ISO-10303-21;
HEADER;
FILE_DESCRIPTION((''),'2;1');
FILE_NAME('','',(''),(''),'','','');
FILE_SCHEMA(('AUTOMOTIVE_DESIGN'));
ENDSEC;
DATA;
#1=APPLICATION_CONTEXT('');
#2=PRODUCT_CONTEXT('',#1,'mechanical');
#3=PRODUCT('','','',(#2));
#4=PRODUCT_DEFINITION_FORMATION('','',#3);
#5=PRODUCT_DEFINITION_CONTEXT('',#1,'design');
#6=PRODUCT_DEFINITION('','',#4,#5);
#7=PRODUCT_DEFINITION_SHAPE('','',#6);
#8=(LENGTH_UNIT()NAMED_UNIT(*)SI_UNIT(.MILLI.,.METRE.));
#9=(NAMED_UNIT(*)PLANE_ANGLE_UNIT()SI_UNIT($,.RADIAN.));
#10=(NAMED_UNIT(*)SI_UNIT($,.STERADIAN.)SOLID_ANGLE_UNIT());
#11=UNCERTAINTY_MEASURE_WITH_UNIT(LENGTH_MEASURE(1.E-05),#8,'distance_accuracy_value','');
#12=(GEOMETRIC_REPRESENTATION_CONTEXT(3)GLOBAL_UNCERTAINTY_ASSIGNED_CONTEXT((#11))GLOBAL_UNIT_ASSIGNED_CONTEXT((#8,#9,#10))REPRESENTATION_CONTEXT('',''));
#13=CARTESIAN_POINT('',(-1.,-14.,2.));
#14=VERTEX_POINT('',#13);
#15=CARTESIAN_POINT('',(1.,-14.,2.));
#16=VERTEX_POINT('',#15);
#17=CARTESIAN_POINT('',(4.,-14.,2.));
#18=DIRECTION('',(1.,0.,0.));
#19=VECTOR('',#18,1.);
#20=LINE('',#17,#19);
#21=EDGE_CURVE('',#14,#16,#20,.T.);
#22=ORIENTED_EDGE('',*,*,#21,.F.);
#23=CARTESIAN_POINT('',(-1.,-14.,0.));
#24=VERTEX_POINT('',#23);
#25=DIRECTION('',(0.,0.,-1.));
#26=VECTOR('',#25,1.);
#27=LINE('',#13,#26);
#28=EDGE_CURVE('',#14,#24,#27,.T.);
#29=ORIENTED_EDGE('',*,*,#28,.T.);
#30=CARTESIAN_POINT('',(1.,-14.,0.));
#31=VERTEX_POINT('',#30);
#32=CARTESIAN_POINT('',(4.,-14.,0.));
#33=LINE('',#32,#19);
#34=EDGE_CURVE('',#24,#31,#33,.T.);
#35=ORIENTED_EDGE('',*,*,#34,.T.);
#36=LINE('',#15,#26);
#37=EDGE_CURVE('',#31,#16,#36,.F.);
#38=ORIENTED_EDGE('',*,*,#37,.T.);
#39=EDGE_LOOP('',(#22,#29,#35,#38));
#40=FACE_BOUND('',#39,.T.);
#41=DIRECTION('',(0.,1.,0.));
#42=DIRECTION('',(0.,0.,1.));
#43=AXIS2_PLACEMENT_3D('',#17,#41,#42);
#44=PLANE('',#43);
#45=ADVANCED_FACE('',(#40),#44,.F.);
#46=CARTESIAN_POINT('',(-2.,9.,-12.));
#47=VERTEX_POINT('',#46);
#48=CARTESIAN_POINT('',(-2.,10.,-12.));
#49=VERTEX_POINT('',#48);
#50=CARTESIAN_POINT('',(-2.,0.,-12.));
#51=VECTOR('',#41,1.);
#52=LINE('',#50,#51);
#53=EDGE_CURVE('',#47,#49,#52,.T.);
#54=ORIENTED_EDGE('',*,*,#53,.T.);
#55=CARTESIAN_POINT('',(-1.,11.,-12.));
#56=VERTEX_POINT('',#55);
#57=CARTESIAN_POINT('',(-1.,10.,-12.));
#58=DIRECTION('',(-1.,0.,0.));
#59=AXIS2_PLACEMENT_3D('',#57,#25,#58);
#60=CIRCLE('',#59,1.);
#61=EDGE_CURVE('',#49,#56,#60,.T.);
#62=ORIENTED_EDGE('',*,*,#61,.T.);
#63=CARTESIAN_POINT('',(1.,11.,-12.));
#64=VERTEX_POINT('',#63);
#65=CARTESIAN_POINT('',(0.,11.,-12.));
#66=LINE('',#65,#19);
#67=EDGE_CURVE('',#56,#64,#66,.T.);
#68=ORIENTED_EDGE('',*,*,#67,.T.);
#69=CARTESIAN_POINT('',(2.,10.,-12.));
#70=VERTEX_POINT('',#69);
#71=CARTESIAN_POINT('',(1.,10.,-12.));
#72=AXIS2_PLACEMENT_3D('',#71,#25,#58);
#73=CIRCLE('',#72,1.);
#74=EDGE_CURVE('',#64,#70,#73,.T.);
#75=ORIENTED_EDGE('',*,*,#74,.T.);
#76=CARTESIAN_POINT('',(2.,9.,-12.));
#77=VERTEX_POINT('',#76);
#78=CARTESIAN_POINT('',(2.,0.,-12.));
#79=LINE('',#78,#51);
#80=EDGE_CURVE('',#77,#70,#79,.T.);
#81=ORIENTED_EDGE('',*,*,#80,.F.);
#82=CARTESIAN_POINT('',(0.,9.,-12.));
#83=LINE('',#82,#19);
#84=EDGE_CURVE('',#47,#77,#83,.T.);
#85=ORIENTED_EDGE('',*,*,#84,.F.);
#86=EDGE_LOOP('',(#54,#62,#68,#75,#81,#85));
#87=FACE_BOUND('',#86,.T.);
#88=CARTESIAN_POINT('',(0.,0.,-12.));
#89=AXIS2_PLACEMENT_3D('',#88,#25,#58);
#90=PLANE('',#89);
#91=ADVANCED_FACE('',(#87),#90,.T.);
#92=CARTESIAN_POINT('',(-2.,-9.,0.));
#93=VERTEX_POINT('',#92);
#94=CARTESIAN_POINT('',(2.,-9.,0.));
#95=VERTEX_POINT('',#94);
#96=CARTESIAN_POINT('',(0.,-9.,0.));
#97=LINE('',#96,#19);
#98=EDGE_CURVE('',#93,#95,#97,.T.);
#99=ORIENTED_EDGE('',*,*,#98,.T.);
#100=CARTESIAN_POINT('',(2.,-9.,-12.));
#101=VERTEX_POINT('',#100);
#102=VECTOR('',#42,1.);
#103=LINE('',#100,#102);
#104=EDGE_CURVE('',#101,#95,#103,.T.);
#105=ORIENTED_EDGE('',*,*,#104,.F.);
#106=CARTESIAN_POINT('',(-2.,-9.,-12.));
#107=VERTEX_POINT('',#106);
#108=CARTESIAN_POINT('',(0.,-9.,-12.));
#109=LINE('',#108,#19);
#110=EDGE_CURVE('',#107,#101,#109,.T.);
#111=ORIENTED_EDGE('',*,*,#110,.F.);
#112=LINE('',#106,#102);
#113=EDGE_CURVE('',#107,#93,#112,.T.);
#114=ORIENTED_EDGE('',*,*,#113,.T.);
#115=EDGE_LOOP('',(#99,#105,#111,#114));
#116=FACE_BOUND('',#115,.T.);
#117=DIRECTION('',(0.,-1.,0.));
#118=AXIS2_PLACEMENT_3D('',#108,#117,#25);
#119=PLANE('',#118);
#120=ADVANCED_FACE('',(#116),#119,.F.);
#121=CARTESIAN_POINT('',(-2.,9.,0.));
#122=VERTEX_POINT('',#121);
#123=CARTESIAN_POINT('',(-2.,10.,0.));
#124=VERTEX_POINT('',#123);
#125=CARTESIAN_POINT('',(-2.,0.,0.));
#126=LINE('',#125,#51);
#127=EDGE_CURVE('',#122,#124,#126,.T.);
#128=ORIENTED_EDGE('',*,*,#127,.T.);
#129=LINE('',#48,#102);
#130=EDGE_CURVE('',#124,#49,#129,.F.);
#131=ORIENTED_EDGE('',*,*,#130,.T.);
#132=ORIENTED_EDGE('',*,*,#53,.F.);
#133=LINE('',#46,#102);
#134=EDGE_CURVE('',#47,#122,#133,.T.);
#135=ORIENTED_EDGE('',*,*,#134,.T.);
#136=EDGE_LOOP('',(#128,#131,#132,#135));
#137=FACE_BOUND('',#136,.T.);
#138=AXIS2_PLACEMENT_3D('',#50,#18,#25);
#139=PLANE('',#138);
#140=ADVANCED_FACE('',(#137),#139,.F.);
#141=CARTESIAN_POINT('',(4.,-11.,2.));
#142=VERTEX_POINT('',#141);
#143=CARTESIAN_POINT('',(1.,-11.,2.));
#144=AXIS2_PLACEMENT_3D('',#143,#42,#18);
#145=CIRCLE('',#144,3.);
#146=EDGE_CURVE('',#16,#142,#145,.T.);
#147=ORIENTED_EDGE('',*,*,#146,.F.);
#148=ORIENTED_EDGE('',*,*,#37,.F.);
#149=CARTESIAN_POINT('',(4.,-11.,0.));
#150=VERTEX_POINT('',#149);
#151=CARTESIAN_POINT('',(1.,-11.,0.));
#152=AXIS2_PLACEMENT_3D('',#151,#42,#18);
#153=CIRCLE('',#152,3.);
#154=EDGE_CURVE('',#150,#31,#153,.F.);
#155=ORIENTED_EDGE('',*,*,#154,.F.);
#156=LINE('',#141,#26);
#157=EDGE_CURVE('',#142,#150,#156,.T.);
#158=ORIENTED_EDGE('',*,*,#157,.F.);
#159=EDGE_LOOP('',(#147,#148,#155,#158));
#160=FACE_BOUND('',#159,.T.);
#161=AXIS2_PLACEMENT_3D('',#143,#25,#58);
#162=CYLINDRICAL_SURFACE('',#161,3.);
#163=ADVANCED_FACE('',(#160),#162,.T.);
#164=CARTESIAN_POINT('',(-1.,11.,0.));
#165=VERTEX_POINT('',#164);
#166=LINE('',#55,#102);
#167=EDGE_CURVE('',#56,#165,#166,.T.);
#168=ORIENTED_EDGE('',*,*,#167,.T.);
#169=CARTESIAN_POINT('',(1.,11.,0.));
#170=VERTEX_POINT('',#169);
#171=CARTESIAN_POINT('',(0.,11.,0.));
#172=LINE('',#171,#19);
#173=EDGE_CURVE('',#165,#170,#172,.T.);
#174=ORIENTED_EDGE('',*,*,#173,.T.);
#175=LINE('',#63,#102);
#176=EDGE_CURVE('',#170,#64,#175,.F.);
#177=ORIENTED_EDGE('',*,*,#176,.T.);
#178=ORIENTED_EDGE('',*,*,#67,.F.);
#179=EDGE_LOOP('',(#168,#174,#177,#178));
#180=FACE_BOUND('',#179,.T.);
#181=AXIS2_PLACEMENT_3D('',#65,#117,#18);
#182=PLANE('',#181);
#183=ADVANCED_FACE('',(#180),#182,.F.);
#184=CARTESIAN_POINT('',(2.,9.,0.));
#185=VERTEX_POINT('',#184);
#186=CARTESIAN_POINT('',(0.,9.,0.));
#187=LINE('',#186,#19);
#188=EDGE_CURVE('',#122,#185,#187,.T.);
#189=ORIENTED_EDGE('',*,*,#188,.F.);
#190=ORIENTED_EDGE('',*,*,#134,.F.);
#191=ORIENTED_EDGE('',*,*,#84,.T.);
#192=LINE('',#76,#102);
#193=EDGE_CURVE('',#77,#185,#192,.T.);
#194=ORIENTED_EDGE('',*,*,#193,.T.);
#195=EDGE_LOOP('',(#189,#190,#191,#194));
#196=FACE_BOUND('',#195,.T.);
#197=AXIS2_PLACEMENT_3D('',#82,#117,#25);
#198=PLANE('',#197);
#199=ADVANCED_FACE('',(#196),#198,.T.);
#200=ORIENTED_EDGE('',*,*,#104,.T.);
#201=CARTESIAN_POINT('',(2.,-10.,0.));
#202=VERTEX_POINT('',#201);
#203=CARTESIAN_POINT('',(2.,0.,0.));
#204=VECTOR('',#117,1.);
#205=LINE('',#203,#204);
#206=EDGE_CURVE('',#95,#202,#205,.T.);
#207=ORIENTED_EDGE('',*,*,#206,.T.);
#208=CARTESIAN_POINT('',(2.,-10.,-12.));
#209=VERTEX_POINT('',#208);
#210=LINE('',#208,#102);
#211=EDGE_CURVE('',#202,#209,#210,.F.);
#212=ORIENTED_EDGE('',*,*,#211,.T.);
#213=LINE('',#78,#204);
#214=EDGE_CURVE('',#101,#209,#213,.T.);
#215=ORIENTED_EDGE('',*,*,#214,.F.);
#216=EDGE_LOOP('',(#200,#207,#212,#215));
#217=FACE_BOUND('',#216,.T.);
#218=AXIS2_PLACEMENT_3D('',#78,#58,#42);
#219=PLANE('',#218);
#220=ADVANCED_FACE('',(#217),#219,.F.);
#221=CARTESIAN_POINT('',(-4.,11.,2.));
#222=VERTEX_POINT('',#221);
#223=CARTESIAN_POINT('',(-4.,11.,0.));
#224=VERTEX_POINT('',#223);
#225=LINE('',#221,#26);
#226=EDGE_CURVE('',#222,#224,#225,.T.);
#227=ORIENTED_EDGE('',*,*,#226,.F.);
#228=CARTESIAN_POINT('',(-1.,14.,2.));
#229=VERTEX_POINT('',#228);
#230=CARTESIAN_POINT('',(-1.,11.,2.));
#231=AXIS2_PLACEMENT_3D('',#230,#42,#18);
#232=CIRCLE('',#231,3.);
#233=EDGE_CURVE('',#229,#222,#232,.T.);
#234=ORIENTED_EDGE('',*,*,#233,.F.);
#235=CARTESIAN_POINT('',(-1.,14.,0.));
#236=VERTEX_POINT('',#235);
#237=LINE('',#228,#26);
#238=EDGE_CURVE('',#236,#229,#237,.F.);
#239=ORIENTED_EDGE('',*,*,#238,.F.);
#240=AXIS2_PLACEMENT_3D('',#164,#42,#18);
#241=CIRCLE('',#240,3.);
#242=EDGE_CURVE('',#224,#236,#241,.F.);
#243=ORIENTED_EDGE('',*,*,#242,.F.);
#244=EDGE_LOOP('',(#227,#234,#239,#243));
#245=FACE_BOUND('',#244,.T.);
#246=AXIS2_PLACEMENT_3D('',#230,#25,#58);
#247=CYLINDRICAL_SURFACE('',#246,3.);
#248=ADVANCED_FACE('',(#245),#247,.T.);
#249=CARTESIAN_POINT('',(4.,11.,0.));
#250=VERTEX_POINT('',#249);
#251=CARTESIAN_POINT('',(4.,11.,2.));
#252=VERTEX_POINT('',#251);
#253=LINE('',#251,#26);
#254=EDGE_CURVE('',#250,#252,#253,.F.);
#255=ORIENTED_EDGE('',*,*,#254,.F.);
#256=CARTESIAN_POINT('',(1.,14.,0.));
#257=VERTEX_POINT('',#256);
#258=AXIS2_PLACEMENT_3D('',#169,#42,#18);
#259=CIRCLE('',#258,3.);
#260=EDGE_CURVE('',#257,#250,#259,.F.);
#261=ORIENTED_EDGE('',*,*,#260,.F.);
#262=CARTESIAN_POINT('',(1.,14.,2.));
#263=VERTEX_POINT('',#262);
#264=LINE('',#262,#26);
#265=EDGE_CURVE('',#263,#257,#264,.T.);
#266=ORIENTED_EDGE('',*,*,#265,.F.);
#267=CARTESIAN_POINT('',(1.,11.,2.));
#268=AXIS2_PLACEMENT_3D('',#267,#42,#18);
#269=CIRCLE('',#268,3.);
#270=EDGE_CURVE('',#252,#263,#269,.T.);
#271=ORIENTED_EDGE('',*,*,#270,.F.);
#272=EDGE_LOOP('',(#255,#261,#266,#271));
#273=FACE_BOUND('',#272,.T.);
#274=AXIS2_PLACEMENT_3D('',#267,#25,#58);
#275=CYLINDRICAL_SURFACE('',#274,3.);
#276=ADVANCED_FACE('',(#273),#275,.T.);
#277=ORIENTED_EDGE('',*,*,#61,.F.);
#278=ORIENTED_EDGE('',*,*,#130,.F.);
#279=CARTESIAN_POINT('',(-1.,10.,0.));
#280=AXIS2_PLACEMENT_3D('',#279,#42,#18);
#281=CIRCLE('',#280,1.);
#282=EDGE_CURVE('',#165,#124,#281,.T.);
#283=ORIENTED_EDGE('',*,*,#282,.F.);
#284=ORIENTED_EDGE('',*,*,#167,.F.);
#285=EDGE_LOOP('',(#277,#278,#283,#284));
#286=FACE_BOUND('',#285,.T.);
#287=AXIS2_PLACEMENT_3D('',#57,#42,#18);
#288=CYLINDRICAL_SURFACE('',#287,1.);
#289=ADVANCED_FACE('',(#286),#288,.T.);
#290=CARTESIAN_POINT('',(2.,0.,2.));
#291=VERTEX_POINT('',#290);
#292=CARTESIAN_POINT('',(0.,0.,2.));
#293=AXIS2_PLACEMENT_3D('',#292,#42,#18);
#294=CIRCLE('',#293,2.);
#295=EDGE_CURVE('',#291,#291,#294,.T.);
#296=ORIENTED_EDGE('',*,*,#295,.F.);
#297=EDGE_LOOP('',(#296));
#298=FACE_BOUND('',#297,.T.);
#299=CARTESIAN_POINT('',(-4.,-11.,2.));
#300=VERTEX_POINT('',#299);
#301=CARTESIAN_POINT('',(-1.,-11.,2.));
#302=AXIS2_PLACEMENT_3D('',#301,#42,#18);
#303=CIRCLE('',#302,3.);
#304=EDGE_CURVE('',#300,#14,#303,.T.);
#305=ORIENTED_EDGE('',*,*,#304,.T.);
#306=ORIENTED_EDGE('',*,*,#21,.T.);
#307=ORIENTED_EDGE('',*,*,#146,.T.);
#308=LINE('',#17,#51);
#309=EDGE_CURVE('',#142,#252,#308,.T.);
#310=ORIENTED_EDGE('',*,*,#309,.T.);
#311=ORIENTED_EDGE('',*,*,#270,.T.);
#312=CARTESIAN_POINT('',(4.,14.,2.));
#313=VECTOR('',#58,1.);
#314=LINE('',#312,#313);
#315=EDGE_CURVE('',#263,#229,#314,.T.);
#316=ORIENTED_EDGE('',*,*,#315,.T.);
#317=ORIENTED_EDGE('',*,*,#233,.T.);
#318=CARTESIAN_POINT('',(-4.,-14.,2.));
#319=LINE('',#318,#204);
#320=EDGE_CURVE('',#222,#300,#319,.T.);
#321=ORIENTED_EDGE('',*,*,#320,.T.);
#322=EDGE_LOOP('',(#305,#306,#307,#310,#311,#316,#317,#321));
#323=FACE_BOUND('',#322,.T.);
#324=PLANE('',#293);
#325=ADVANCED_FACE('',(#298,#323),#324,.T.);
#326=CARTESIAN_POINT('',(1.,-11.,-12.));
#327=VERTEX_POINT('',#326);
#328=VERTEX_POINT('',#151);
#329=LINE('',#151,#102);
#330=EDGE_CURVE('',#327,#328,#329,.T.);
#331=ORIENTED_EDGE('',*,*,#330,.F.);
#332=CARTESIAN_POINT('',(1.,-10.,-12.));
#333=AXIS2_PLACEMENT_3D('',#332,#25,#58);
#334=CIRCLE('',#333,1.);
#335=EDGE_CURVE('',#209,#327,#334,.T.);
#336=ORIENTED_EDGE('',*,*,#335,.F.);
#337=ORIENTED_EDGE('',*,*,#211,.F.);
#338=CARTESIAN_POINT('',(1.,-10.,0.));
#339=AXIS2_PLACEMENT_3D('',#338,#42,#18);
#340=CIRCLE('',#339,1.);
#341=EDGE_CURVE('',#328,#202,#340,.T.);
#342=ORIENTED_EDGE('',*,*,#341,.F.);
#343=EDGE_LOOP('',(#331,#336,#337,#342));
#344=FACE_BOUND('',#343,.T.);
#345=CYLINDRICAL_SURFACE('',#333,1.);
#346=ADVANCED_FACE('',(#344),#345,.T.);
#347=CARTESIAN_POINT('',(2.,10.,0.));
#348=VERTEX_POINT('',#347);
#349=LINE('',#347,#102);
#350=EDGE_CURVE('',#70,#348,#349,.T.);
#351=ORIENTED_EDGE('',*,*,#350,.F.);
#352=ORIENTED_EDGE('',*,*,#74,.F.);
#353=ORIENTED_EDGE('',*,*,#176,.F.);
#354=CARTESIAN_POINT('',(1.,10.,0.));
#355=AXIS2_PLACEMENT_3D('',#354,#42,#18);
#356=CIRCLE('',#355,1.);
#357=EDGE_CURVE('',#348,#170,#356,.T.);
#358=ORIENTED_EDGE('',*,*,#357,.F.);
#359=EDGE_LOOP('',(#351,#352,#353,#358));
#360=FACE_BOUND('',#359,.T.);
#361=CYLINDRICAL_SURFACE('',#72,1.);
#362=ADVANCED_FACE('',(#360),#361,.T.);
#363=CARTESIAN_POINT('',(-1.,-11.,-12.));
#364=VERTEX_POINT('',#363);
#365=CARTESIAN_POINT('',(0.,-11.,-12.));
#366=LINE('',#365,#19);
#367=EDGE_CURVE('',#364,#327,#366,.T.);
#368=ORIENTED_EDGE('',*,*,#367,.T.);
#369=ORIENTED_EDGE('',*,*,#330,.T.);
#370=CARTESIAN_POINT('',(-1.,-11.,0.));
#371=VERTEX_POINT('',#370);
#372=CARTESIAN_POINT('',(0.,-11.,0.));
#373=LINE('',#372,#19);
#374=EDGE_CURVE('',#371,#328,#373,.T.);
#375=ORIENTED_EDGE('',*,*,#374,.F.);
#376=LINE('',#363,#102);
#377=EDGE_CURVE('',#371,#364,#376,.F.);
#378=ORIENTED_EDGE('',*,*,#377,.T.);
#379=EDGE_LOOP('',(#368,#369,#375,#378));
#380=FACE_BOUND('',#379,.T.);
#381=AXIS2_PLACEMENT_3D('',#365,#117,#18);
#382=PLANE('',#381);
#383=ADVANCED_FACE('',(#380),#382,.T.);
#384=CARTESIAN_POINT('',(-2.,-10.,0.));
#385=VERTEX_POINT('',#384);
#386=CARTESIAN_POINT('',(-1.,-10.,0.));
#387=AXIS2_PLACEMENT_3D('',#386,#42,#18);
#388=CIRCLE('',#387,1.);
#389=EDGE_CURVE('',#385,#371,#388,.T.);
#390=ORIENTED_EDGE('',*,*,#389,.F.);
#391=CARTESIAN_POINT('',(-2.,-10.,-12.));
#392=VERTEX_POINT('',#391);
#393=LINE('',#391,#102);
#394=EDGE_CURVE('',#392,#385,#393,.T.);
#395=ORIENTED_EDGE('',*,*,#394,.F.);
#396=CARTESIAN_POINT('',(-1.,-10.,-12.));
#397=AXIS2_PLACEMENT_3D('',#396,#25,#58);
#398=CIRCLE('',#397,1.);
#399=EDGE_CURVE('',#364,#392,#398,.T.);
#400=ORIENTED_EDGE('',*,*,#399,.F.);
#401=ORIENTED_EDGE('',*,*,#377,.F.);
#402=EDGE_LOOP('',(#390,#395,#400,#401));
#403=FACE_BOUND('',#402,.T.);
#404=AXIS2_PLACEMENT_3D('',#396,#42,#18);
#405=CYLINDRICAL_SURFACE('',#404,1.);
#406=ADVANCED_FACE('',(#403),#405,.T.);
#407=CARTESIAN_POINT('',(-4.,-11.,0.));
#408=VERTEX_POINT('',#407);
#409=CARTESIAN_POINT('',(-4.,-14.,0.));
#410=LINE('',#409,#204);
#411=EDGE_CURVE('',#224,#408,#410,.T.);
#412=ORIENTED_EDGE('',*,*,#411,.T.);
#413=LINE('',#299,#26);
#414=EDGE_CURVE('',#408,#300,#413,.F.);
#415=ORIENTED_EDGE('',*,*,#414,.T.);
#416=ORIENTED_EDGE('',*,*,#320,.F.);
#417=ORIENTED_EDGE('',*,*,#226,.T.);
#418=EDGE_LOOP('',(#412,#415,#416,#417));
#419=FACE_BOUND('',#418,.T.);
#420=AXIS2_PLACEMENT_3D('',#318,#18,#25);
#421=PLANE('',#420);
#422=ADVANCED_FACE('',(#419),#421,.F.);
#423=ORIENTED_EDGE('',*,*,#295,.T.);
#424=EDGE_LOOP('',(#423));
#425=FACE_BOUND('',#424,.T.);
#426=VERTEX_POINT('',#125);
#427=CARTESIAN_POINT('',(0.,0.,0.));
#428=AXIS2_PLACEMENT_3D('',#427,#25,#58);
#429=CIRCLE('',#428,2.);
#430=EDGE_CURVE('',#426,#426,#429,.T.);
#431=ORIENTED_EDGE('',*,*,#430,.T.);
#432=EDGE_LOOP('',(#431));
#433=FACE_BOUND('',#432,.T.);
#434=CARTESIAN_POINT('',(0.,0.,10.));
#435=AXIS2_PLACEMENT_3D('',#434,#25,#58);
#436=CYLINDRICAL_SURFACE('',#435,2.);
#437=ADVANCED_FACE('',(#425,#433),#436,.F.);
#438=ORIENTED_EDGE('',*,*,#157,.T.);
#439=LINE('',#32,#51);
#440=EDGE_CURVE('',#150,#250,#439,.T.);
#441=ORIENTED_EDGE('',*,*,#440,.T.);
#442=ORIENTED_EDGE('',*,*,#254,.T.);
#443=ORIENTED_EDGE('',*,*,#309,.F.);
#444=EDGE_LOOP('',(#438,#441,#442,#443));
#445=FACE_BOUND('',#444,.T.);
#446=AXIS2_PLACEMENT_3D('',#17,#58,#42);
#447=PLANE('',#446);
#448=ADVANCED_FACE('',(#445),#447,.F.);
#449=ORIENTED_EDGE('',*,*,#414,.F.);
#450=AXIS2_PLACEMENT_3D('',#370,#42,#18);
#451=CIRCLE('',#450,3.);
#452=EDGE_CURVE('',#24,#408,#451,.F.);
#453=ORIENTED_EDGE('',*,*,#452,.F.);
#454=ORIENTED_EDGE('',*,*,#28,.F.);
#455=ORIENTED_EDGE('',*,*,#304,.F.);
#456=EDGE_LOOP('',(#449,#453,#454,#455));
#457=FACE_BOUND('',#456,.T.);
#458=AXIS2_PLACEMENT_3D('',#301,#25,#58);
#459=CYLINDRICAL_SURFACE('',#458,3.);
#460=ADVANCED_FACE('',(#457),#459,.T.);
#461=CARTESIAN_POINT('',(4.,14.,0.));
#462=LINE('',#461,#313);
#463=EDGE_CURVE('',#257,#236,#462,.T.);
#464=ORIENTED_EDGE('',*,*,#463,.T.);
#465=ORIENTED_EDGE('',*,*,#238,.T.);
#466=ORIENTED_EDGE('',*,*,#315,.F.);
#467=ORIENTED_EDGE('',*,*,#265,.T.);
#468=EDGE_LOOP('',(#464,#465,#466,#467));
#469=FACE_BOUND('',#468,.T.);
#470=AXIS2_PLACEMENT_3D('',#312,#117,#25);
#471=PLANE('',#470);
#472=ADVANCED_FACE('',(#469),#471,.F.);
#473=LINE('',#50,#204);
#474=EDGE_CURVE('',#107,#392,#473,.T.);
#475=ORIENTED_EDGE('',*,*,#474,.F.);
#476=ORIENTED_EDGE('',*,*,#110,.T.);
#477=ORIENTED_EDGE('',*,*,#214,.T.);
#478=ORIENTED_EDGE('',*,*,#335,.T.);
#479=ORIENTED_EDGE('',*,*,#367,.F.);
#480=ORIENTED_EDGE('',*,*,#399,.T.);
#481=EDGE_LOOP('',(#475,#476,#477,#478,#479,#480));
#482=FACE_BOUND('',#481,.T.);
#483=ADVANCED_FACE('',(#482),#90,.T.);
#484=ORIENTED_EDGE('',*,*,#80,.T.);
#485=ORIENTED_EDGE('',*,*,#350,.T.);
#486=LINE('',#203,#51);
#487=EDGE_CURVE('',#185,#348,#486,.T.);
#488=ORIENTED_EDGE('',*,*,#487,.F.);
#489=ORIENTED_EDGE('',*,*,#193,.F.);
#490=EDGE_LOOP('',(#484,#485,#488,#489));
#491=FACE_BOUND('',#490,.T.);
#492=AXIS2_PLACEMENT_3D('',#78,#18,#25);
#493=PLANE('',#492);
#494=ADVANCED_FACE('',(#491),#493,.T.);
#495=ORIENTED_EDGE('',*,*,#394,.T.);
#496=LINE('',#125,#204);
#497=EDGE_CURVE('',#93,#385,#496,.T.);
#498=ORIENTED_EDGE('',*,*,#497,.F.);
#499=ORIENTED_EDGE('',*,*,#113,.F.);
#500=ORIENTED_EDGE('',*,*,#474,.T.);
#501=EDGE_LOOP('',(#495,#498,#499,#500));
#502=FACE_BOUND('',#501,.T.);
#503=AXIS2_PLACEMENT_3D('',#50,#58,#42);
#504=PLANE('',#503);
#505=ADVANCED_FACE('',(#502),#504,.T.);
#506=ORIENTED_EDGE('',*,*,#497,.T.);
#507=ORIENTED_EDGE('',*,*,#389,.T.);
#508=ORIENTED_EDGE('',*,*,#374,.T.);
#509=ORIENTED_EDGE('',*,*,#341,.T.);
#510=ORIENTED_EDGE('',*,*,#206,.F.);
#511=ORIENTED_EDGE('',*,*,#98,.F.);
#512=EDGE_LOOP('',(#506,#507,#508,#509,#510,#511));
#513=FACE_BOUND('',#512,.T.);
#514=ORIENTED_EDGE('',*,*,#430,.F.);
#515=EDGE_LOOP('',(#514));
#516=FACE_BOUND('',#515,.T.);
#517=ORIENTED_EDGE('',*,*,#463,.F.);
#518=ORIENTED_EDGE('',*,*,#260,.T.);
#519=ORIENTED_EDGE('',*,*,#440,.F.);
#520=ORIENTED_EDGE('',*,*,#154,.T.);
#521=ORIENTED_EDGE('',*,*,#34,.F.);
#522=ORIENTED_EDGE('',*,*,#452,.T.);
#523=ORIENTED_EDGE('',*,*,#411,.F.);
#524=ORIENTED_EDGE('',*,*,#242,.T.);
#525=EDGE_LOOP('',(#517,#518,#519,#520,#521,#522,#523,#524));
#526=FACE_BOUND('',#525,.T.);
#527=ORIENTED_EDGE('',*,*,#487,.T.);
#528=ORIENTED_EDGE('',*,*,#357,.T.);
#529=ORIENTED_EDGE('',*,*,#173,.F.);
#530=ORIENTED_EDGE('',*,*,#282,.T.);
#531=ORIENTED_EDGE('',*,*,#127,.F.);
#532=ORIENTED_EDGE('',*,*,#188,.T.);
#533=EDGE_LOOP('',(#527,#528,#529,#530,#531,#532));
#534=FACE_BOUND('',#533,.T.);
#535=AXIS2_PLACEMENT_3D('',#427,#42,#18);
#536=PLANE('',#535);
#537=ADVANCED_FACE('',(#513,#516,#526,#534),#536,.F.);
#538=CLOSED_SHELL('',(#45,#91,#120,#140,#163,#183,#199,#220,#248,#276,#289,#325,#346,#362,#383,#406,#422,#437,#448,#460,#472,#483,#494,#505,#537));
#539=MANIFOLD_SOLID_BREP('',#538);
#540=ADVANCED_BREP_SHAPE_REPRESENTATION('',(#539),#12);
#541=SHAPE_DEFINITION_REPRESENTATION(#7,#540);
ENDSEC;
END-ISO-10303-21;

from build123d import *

# Parameters (mm, degrees)
SKETCH1_W           = 8
SKETCH1_H           = 28
BOSS_EXTRUDE1_DEPTH = 2
FILLET1_R           = 3
SKETCH2_W           = 4
SKETCH2_H           = 2
BOSS_EXTRUDE2_DEPTH = 12
FILLET2_R           = 1
SKETCH3_R           = 2
CUT_EXTRUDE3_DEPTH  = 10


with BuildPart() as part:
    # Sketch1 → Boss-Extrude1 (new body)
    with BuildSketch(Plane.XY):
        Rectangle(SKETCH1_W, SKETCH1_H)
    extrude(amount=BOSS_EXTRUDE1_DEPTH)

    # Fillet1
    fillet1_edges = [part.edges().sort_by_distance(p)[0] for p in [
        (-4, 14, 1),
        (4, 14, 1),
        (4, -14, 1),
        (-4, -14, 1),
    ]]
    fillet(fillet1_edges, radius=FILLET1_R)

    # Sketch2 → Boss-Extrude2 (add)
    with BuildSketch(Plane(origin=(0, 0, 0), x_dir=(-1, 0, 0), z_dir=(0, 0, -1))):
        with Locations((0, 10)):
            Rectangle(SKETCH2_W, SKETCH2_H)
        with Locations((0, -10)):
            Rectangle(SKETCH2_W, SKETCH2_H)
    extrude(amount=BOSS_EXTRUDE2_DEPTH)

    # Fillet2
    fillet2_edges = [part.edges().sort_by_distance(p)[0] for p in [
        (2, 11, -6),
        (-2, 11, -6),
        (-2, -11, -6),
        (2, -11, -6),
    ]]
    fillet(fillet2_edges, radius=FILLET2_R)

    # Sketch3 → Cut-Extrude3 (cut)
    with BuildSketch(Plane(origin=(0, 0, 0), x_dir=(-1, 0, 0), z_dir=(0, 0, -1))):
        Circle(SKETCH3_R)
    extrude(amount=-CUT_EXTRUDE3_DEPTH, mode=Mode.SUBTRACT)


solid = part.part
